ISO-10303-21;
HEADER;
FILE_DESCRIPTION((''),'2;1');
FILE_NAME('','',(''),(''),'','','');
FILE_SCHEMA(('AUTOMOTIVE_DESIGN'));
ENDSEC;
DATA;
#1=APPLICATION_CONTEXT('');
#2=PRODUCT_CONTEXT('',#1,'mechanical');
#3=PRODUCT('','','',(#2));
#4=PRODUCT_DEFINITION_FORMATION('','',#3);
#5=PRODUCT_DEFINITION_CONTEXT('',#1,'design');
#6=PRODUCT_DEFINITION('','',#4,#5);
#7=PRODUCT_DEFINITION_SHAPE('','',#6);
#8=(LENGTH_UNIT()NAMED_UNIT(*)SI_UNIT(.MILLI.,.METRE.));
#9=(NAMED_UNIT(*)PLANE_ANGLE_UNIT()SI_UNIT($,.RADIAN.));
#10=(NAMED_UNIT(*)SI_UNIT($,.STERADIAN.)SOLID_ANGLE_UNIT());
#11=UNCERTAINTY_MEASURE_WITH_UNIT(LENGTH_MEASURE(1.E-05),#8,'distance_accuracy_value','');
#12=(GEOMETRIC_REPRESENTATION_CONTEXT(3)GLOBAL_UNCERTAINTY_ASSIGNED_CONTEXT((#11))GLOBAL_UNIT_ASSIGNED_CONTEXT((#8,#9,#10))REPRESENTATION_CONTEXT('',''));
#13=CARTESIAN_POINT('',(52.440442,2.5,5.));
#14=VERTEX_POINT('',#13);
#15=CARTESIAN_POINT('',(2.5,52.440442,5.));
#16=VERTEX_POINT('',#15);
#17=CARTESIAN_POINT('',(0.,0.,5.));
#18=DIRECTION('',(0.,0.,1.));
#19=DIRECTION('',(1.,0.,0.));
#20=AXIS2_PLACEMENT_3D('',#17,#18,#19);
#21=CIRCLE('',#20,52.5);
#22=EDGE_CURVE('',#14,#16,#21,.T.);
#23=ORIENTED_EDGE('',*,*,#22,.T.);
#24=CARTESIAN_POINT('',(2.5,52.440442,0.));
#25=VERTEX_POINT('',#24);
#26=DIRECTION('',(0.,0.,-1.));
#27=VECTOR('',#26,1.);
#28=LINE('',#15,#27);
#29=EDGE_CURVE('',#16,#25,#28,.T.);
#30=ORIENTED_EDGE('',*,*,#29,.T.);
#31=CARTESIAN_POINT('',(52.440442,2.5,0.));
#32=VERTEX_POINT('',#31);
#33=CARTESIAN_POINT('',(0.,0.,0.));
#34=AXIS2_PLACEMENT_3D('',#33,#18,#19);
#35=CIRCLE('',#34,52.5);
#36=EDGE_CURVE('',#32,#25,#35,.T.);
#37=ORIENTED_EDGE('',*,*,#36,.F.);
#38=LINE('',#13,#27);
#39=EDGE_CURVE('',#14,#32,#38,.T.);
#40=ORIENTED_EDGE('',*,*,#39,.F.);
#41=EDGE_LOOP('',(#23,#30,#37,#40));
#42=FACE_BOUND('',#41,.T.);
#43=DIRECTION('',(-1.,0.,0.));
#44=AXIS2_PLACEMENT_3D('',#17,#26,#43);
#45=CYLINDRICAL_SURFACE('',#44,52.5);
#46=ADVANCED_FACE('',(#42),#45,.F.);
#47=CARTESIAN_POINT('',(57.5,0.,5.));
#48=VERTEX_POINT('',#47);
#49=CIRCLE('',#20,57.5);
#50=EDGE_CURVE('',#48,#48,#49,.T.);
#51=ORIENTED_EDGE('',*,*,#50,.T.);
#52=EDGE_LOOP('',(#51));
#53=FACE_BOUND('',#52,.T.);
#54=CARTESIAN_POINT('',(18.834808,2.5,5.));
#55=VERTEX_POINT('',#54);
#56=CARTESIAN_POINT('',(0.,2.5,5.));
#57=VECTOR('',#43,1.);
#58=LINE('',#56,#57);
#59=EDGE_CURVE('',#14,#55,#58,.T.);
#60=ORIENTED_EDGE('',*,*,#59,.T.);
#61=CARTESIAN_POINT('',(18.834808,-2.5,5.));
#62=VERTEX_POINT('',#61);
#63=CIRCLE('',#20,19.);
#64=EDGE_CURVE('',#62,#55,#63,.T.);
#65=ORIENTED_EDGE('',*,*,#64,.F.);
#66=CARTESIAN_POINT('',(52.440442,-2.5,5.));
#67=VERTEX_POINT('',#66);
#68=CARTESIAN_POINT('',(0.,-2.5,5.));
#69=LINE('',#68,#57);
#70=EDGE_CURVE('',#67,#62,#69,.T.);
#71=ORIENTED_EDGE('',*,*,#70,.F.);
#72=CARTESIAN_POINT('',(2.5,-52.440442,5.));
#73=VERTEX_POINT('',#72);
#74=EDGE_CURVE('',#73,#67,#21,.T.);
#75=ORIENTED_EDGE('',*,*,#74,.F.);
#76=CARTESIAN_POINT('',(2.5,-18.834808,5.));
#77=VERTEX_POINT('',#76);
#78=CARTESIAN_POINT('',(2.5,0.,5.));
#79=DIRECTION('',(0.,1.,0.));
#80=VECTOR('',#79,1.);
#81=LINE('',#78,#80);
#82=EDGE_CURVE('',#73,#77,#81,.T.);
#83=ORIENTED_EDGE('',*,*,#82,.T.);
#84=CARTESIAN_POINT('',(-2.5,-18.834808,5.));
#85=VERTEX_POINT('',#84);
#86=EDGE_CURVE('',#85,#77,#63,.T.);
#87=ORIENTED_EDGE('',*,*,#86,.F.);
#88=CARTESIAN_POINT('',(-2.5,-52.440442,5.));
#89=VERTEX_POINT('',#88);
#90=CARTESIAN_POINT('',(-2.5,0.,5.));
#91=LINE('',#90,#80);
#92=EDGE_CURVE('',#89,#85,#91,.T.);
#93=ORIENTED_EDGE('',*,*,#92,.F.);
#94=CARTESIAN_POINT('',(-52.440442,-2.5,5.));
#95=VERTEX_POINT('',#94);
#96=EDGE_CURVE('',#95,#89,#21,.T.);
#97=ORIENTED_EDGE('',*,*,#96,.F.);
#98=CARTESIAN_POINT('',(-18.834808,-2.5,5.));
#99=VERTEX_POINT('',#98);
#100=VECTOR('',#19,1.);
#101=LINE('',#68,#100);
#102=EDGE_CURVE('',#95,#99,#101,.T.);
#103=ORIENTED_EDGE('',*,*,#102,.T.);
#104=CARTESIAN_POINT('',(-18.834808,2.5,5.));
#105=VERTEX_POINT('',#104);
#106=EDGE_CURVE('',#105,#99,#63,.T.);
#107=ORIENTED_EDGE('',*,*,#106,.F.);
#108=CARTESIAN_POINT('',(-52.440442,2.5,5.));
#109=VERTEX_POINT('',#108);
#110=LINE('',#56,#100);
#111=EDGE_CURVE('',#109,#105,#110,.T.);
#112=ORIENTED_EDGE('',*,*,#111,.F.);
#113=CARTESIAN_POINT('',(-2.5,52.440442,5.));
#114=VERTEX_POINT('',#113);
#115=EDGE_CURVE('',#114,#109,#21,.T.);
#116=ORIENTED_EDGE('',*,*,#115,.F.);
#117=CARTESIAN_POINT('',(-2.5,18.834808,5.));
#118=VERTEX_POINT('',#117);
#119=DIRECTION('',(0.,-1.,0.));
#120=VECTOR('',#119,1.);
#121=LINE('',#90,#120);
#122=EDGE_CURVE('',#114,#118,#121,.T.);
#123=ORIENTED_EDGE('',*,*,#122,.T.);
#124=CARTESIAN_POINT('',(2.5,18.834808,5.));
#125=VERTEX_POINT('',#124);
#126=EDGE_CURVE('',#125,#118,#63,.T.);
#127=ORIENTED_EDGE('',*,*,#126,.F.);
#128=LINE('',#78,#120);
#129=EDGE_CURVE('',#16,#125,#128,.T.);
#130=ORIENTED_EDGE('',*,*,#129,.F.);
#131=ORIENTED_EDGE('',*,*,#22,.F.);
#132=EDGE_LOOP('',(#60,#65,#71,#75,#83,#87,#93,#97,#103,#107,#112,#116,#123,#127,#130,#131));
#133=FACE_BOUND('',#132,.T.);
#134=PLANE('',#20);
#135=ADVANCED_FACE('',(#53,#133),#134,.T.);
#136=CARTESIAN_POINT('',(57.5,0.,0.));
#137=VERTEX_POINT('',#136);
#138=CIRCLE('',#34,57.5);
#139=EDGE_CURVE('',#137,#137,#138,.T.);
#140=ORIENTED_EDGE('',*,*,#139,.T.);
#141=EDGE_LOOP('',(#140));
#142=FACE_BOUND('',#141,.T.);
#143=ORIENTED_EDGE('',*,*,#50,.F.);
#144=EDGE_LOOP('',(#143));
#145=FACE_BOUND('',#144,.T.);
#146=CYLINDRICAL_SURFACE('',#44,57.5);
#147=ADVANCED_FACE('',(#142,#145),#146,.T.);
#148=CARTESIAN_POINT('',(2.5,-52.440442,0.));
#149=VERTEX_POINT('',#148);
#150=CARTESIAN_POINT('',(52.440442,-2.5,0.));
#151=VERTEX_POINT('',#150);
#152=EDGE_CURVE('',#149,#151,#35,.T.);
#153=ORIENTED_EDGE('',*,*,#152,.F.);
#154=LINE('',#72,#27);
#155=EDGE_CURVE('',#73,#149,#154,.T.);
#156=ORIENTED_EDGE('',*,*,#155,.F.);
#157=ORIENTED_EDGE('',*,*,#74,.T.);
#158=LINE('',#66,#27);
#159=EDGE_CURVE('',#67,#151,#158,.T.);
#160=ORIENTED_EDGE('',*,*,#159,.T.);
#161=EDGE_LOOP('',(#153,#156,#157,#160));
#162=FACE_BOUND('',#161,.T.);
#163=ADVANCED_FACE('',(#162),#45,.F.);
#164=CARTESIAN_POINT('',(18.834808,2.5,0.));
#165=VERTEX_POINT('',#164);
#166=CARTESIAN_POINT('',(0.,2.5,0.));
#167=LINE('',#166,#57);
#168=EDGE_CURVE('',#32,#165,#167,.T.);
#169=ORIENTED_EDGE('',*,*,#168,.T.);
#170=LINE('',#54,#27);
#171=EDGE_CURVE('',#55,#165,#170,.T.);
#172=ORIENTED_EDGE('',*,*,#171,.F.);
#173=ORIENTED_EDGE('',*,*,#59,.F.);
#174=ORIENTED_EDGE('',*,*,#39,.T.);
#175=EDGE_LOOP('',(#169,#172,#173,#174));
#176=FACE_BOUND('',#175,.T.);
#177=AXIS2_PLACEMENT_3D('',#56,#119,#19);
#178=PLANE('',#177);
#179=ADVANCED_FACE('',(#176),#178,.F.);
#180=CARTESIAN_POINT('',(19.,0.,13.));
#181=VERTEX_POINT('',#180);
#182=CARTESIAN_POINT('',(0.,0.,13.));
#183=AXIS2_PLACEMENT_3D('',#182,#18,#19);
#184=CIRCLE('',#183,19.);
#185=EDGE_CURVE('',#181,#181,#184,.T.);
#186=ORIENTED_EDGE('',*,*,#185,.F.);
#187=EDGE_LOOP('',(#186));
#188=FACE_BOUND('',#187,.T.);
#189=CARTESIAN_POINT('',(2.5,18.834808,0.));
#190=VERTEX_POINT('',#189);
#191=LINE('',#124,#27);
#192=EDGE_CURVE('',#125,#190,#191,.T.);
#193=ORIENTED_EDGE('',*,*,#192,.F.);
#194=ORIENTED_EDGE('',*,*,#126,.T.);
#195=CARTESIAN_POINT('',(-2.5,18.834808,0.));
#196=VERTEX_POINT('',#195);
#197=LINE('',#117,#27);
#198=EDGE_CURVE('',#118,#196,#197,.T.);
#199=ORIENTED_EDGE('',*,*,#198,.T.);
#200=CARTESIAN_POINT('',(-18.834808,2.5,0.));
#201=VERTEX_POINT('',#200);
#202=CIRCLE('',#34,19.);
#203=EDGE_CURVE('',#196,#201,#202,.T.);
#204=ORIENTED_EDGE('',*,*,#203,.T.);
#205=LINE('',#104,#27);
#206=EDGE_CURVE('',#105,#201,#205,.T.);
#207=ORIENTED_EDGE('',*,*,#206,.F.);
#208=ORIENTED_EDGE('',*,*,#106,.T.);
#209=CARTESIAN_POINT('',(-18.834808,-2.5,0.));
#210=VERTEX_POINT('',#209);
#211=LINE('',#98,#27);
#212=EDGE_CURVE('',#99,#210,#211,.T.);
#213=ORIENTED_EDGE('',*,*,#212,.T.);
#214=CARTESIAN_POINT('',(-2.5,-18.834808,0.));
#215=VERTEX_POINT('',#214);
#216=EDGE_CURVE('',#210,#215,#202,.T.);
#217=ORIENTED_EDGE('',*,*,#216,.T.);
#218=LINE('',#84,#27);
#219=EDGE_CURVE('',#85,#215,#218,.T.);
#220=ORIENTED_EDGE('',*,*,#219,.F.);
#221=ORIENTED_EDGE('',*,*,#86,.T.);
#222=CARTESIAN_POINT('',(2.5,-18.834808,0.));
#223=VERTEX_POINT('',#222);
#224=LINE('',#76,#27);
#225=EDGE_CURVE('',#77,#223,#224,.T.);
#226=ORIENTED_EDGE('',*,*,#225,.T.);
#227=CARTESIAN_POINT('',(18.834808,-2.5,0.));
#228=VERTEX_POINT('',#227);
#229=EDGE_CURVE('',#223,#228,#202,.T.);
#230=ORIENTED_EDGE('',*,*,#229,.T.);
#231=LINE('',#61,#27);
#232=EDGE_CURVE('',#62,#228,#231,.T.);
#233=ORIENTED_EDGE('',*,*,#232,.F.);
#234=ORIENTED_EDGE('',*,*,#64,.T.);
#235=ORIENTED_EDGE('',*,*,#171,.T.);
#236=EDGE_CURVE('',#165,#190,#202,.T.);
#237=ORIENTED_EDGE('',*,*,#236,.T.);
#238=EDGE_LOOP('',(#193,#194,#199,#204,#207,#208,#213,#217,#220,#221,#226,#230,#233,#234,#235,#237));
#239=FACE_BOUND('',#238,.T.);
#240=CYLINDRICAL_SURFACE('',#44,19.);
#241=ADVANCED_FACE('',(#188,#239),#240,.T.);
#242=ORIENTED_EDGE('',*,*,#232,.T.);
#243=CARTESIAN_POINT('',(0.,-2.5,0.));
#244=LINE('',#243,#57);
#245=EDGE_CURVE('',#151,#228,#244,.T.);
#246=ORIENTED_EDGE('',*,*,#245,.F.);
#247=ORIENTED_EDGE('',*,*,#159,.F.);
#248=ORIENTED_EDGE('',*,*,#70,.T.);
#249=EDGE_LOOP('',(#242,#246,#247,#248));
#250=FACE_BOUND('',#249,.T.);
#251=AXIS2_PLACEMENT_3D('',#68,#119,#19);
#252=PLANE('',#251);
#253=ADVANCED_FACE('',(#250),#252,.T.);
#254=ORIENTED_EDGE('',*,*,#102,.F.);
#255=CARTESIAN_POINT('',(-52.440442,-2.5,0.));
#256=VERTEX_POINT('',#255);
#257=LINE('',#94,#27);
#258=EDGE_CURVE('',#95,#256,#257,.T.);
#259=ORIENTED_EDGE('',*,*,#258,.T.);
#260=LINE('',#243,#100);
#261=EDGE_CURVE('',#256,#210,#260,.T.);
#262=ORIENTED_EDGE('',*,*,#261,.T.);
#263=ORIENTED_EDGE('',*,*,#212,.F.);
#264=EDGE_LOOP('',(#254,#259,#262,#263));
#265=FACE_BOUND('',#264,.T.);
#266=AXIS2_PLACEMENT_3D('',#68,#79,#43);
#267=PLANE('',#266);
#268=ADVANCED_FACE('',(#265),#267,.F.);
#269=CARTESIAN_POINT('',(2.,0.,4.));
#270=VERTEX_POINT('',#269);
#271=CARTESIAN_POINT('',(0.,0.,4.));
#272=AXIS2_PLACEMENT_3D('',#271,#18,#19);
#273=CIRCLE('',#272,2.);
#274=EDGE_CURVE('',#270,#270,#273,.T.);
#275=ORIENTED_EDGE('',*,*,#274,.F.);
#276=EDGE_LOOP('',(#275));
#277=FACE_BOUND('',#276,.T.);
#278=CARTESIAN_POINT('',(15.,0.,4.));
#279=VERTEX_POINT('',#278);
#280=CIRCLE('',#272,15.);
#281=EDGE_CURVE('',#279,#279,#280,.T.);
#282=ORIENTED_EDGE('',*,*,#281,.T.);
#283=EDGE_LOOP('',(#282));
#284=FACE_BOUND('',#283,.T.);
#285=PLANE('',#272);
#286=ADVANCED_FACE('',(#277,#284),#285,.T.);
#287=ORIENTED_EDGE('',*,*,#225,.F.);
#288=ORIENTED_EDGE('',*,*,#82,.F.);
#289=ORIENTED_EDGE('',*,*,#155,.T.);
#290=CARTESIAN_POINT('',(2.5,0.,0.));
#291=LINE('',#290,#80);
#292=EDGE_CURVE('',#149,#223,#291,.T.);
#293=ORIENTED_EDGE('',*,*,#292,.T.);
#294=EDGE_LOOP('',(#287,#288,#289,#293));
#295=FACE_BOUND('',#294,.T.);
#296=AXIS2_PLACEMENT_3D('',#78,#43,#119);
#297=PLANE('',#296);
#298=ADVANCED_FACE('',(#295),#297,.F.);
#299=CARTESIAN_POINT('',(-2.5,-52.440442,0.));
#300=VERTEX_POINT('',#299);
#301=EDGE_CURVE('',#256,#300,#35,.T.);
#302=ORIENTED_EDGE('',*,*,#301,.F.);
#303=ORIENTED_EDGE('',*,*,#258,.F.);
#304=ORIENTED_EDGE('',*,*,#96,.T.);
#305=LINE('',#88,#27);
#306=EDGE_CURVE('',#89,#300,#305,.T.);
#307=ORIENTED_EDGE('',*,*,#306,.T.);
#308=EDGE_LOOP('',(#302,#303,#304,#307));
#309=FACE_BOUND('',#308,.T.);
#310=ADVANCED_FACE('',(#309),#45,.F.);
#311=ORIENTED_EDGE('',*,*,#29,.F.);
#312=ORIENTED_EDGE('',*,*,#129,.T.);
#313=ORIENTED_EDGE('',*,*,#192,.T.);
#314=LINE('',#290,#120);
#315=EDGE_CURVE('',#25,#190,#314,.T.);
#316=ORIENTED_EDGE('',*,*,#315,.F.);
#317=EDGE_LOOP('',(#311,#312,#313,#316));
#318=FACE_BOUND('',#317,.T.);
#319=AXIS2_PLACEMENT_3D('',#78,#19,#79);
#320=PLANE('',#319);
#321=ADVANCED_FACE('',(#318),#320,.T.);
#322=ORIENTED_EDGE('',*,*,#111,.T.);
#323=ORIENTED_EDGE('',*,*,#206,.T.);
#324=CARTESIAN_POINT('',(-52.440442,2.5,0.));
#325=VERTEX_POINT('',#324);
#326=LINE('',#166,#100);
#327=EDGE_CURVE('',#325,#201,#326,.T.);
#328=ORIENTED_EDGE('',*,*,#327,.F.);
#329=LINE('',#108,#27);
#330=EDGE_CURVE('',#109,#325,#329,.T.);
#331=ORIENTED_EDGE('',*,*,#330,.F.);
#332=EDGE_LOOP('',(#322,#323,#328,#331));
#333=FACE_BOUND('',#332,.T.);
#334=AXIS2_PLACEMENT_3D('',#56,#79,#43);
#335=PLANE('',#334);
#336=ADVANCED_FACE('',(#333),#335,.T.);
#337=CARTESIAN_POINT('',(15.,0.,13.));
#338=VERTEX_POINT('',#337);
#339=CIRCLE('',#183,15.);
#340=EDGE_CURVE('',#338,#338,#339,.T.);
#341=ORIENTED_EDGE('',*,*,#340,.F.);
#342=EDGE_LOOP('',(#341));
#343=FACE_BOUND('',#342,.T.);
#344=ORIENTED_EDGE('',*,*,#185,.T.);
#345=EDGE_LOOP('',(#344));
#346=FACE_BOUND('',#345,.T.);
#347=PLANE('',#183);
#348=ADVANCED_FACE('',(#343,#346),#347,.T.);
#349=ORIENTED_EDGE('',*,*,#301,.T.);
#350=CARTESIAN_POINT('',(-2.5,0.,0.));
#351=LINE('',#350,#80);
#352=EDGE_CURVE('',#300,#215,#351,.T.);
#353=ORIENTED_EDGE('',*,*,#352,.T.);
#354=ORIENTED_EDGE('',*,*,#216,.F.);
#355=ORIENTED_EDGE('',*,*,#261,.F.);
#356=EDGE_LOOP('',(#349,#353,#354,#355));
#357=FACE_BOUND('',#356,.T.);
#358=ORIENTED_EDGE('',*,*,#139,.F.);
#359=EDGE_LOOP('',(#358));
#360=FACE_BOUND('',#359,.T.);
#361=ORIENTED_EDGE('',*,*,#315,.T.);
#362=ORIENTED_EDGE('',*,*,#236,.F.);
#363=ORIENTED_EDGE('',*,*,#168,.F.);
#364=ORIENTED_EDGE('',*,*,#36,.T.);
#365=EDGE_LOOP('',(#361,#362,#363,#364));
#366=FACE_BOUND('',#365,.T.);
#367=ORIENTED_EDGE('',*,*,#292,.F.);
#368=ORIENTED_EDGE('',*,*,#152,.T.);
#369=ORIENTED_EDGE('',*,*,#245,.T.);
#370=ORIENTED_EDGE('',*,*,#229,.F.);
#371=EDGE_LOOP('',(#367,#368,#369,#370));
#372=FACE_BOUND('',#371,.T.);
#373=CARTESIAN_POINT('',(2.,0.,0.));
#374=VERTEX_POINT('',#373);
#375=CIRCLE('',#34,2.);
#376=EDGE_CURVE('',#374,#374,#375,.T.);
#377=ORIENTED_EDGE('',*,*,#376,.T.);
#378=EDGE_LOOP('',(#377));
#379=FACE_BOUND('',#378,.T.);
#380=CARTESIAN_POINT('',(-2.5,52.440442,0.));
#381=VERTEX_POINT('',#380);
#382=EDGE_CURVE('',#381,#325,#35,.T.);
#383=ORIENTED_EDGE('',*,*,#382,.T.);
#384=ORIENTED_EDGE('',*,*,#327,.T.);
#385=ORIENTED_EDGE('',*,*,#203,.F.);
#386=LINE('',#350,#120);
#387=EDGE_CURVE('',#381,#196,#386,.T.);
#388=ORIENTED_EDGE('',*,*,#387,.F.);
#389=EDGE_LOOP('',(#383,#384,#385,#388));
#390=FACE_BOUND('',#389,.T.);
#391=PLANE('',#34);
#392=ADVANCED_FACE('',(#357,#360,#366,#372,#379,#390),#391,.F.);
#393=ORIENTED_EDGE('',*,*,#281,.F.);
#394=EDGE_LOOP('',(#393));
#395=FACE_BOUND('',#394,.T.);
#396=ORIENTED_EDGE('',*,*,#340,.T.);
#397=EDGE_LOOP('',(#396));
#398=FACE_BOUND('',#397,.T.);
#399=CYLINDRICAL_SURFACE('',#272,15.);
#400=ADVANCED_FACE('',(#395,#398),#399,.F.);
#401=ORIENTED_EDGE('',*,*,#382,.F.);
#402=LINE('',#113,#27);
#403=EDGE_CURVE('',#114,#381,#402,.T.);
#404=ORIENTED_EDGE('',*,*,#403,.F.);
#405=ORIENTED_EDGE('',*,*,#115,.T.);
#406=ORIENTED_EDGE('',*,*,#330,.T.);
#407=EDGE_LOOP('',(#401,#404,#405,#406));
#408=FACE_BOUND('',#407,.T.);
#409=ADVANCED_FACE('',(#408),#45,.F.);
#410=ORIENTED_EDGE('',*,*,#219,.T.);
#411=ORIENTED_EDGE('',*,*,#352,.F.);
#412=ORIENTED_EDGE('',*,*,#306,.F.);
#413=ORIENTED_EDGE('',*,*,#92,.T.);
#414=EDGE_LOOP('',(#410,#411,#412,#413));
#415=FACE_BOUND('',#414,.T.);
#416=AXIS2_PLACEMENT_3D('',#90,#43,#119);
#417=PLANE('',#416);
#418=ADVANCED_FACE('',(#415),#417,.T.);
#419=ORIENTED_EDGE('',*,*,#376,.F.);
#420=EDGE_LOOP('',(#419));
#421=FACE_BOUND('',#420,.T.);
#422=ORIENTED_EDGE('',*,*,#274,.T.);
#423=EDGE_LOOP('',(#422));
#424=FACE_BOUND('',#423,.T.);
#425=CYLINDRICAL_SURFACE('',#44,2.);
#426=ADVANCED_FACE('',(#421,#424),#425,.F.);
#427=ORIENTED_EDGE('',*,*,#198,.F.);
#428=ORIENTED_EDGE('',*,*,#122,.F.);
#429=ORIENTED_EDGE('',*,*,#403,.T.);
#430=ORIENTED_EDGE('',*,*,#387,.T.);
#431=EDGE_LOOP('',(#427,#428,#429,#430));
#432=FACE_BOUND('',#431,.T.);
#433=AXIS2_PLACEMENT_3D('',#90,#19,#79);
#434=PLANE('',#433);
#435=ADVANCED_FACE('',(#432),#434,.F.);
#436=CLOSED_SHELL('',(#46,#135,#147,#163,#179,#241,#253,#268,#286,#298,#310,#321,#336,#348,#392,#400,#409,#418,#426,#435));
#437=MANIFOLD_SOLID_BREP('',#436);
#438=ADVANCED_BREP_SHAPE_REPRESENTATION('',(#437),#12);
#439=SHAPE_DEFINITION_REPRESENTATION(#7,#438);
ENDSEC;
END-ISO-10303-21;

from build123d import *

# Parameters (mm, degrees)
SKETCH1_R           = 57.5
SKETCH1_R_2         = 2
BOSS_EXTRUDE1_DEPTH = 5
SKETCH2_R           = 15
CUT_EXTRUDE1_DEPTH  = 1
SKETCH3_R           = 19
SKETCH3_R_2         = 15
BOSS_EXTRUDE3_DEPTH = 8


with BuildPart() as part:
    # Sketch1 → Boss-Extrude1 (new body)
    # profile 1 of 6: a face of its own
    with BuildSketch(Plane.XY):
        Circle(SKETCH1_R)
        with BuildLine():
            ThreePointArc((-52.440442409, 2.5), (-37.123106012, 37.123106012), (-2.5, 52.440442409))
            Line((-2.5, 52.440442409), (-2.5, 18.834808202))
            ThreePointArc((-2.5, 18.834808202), (0, 19), (2.5, 18.834808202))
            Line((2.5, 18.834808202), (2.5, 52.440442409))
            ThreePointArc((2.5, 52.440442409), (37.123106012, 37.123106012), (52.440442409, 2.5))
            Line((52.440442409, 2.5), (18.834808202, 2.5))
            ThreePointArc((18.834808202, 2.5), (18.958657071, 1.252725861), (19, 0))
            ThreePointArc((19, 0), (18.958657071, -1.252725861), (18.834808202, -2.5))
            Line((18.834808202, -2.5), (52.440442409, -2.5))
            ThreePointArc((52.440442409, -2.5), (37.123106012, -37.123106012), (2.5, -52.440442409))
            Line((2.5, -52.440442409), (2.5, -18.834808202))
            ThreePointArc((2.5, -18.834808202), (0, -19), (-2.5, -18.834808202))
            Line((-2.5, -18.834808202), (-2.5, -52.440442409))
            ThreePointArc((-2.5, -52.440442409), (-37.123106012, -37.123106012), (-52.440442409, -2.5))
            Line((-52.440442409, -2.5), (-18.834808202, -2.5))
            ThreePointArc((-18.834808202, -2.5), (-19, 0), (-18.834808202, 2.5))
            Line((-18.834808202, 2.5), (-52.440442409, 2.5))
        make_face(mode=Mode.SUBTRACT)
    # profile 2 of 6: a face of its own
    with BuildSketch(Plane.XY):
        with BuildLine():
            Line((-2.5, 14.790199458), (-2.5, 18.834808202))
            ThreePointArc((-2.5, 18.834808202), (-13.435028843, 13.435028843), (-18.834808202, 2.5))
            Line((-18.834808202, 2.5), (-14.790199458, 2.5))
            ThreePointArc((-14.790199458, 2.5), (-10.606601718, 10.606601718), (-2.5, 14.790199458))
        make_face()
    # profile 3 of 6: a face of its own
    with BuildSketch(Plane.XY):
        with BuildLine():
            Line((-14.790199458, -2.5), (-18.834808202, -2.5))
            ThreePointArc((-18.834808202, -2.5), (-13.435028843, -13.435028843), (-2.5, -18.834808202))
            Line((-2.5, -18.834808202), (-2.5, -14.790199458))
            ThreePointArc((-2.5, -14.790199458), (-10.606601718, -10.606601718), (-14.790199458, -2.5))
        make_face()
    # profile 4 of 6: a face of its own
    with BuildSketch(Plane.XY):
        with BuildLine():
            ThreePointArc((2.5, 18.834808202), (0, 19), (-2.5, 18.834808202))
            Line((-2.5, 18.834808202), (-2.5, 14.790199458))
            ThreePointArc((-2.5, 14.790199458), (-10.606601718, 10.606601718), (-14.790199458, 2.5))
            Line((-14.790199458, 2.5), (-18.834808202, 2.5))
            ThreePointArc((-18.834808202, 2.5), (-19, 0), (-18.834808202, -2.5))
            Line((-18.834808202, -2.5), (-14.790199458, -2.5))
            ThreePointArc((-14.790199458, -2.5), (-10.606601718, -10.606601718), (-2.5, -14.790199458))
            Line((-2.5, -14.790199458), (-2.5, -18.834808202))
            ThreePointArc((-2.5, -18.834808202), (0, -19), (2.5, -18.834808202))
            Line((2.5, -18.834808202), (2.5, -14.790199458))
            ThreePointArc((2.5, -14.790199458), (10.606601718, -10.606601718), (14.790199458, -2.5))
            Line((14.790199458, -2.5), (18.834808202, -2.5))
            ThreePointArc((18.834808202, -2.5), (18.958657071, -1.252725861), (19, 0))
            ThreePointArc((19, 0), (18.958657071, 1.252725861), (18.834808202, 2.5))
            Line((18.834808202, 2.5), (14.790199458, 2.5))
            ThreePointArc((14.790199458, 2.5), (10.606601718, 10.606601718), (2.5, 14.790199458))
            Line((2.5, 14.790199458), (2.5, 18.834808202))
        make_face()
        Circle(SKETCH1_R_2, mode=Mode.SUBTRACT)
    # profile 5 of 6: a face of its own
    with BuildSketch(Plane.XY):
        with BuildLine():
            ThreePointArc((18.834808202, 2.5), (13.435028843, 13.435028843), (2.5, 18.834808202))
            Line((2.5, 18.834808202), (2.5, 14.790199458))
            ThreePointArc((2.5, 14.790199458), (10.606601718, 10.606601718), (14.790199458, 2.5))
            Line((14.790199458, 2.5), (18.834808202, 2.5))
        make_face()
    # profile 6 of 6: a face of its own
    with BuildSketch(Plane.XY):
        with BuildLine():
            ThreePointArc((2.5, -18.834808202), (13.435028843, -13.435028843), (18.834808202, -2.5))
            Line((18.834808202, -2.5), (14.790199458, -2.5))
            ThreePointArc((14.790199458, -2.5), (10.606601718, -10.606601718), (2.5, -14.790199458))
            Line((2.5, -14.790199458), (2.5, -18.834808202))
        make_face()
    extrude(amount=BOSS_EXTRUDE1_DEPTH)

    # Sketch2 → Cut-Extrude1 (cut)
    with BuildSketch(Plane.XY.offset(5)):
        Circle(SKETCH2_R)
    extrude(amount=-CUT_EXTRUDE1_DEPTH, mode=Mode.SUBTRACT)

    # Sketch3 → Boss-Extrude3 (add)
    with BuildSketch(Plane.XY.offset(5)):
        with Locations(Location((0, 0, 0), (0, 0, 172.439156823))):
            Circle(SKETCH3_R)
        Circle(SKETCH3_R_2, mode=Mode.SUBTRACT)
    extrude(amount=BOSS_EXTRUDE3_DEPTH)


solid = part.part
